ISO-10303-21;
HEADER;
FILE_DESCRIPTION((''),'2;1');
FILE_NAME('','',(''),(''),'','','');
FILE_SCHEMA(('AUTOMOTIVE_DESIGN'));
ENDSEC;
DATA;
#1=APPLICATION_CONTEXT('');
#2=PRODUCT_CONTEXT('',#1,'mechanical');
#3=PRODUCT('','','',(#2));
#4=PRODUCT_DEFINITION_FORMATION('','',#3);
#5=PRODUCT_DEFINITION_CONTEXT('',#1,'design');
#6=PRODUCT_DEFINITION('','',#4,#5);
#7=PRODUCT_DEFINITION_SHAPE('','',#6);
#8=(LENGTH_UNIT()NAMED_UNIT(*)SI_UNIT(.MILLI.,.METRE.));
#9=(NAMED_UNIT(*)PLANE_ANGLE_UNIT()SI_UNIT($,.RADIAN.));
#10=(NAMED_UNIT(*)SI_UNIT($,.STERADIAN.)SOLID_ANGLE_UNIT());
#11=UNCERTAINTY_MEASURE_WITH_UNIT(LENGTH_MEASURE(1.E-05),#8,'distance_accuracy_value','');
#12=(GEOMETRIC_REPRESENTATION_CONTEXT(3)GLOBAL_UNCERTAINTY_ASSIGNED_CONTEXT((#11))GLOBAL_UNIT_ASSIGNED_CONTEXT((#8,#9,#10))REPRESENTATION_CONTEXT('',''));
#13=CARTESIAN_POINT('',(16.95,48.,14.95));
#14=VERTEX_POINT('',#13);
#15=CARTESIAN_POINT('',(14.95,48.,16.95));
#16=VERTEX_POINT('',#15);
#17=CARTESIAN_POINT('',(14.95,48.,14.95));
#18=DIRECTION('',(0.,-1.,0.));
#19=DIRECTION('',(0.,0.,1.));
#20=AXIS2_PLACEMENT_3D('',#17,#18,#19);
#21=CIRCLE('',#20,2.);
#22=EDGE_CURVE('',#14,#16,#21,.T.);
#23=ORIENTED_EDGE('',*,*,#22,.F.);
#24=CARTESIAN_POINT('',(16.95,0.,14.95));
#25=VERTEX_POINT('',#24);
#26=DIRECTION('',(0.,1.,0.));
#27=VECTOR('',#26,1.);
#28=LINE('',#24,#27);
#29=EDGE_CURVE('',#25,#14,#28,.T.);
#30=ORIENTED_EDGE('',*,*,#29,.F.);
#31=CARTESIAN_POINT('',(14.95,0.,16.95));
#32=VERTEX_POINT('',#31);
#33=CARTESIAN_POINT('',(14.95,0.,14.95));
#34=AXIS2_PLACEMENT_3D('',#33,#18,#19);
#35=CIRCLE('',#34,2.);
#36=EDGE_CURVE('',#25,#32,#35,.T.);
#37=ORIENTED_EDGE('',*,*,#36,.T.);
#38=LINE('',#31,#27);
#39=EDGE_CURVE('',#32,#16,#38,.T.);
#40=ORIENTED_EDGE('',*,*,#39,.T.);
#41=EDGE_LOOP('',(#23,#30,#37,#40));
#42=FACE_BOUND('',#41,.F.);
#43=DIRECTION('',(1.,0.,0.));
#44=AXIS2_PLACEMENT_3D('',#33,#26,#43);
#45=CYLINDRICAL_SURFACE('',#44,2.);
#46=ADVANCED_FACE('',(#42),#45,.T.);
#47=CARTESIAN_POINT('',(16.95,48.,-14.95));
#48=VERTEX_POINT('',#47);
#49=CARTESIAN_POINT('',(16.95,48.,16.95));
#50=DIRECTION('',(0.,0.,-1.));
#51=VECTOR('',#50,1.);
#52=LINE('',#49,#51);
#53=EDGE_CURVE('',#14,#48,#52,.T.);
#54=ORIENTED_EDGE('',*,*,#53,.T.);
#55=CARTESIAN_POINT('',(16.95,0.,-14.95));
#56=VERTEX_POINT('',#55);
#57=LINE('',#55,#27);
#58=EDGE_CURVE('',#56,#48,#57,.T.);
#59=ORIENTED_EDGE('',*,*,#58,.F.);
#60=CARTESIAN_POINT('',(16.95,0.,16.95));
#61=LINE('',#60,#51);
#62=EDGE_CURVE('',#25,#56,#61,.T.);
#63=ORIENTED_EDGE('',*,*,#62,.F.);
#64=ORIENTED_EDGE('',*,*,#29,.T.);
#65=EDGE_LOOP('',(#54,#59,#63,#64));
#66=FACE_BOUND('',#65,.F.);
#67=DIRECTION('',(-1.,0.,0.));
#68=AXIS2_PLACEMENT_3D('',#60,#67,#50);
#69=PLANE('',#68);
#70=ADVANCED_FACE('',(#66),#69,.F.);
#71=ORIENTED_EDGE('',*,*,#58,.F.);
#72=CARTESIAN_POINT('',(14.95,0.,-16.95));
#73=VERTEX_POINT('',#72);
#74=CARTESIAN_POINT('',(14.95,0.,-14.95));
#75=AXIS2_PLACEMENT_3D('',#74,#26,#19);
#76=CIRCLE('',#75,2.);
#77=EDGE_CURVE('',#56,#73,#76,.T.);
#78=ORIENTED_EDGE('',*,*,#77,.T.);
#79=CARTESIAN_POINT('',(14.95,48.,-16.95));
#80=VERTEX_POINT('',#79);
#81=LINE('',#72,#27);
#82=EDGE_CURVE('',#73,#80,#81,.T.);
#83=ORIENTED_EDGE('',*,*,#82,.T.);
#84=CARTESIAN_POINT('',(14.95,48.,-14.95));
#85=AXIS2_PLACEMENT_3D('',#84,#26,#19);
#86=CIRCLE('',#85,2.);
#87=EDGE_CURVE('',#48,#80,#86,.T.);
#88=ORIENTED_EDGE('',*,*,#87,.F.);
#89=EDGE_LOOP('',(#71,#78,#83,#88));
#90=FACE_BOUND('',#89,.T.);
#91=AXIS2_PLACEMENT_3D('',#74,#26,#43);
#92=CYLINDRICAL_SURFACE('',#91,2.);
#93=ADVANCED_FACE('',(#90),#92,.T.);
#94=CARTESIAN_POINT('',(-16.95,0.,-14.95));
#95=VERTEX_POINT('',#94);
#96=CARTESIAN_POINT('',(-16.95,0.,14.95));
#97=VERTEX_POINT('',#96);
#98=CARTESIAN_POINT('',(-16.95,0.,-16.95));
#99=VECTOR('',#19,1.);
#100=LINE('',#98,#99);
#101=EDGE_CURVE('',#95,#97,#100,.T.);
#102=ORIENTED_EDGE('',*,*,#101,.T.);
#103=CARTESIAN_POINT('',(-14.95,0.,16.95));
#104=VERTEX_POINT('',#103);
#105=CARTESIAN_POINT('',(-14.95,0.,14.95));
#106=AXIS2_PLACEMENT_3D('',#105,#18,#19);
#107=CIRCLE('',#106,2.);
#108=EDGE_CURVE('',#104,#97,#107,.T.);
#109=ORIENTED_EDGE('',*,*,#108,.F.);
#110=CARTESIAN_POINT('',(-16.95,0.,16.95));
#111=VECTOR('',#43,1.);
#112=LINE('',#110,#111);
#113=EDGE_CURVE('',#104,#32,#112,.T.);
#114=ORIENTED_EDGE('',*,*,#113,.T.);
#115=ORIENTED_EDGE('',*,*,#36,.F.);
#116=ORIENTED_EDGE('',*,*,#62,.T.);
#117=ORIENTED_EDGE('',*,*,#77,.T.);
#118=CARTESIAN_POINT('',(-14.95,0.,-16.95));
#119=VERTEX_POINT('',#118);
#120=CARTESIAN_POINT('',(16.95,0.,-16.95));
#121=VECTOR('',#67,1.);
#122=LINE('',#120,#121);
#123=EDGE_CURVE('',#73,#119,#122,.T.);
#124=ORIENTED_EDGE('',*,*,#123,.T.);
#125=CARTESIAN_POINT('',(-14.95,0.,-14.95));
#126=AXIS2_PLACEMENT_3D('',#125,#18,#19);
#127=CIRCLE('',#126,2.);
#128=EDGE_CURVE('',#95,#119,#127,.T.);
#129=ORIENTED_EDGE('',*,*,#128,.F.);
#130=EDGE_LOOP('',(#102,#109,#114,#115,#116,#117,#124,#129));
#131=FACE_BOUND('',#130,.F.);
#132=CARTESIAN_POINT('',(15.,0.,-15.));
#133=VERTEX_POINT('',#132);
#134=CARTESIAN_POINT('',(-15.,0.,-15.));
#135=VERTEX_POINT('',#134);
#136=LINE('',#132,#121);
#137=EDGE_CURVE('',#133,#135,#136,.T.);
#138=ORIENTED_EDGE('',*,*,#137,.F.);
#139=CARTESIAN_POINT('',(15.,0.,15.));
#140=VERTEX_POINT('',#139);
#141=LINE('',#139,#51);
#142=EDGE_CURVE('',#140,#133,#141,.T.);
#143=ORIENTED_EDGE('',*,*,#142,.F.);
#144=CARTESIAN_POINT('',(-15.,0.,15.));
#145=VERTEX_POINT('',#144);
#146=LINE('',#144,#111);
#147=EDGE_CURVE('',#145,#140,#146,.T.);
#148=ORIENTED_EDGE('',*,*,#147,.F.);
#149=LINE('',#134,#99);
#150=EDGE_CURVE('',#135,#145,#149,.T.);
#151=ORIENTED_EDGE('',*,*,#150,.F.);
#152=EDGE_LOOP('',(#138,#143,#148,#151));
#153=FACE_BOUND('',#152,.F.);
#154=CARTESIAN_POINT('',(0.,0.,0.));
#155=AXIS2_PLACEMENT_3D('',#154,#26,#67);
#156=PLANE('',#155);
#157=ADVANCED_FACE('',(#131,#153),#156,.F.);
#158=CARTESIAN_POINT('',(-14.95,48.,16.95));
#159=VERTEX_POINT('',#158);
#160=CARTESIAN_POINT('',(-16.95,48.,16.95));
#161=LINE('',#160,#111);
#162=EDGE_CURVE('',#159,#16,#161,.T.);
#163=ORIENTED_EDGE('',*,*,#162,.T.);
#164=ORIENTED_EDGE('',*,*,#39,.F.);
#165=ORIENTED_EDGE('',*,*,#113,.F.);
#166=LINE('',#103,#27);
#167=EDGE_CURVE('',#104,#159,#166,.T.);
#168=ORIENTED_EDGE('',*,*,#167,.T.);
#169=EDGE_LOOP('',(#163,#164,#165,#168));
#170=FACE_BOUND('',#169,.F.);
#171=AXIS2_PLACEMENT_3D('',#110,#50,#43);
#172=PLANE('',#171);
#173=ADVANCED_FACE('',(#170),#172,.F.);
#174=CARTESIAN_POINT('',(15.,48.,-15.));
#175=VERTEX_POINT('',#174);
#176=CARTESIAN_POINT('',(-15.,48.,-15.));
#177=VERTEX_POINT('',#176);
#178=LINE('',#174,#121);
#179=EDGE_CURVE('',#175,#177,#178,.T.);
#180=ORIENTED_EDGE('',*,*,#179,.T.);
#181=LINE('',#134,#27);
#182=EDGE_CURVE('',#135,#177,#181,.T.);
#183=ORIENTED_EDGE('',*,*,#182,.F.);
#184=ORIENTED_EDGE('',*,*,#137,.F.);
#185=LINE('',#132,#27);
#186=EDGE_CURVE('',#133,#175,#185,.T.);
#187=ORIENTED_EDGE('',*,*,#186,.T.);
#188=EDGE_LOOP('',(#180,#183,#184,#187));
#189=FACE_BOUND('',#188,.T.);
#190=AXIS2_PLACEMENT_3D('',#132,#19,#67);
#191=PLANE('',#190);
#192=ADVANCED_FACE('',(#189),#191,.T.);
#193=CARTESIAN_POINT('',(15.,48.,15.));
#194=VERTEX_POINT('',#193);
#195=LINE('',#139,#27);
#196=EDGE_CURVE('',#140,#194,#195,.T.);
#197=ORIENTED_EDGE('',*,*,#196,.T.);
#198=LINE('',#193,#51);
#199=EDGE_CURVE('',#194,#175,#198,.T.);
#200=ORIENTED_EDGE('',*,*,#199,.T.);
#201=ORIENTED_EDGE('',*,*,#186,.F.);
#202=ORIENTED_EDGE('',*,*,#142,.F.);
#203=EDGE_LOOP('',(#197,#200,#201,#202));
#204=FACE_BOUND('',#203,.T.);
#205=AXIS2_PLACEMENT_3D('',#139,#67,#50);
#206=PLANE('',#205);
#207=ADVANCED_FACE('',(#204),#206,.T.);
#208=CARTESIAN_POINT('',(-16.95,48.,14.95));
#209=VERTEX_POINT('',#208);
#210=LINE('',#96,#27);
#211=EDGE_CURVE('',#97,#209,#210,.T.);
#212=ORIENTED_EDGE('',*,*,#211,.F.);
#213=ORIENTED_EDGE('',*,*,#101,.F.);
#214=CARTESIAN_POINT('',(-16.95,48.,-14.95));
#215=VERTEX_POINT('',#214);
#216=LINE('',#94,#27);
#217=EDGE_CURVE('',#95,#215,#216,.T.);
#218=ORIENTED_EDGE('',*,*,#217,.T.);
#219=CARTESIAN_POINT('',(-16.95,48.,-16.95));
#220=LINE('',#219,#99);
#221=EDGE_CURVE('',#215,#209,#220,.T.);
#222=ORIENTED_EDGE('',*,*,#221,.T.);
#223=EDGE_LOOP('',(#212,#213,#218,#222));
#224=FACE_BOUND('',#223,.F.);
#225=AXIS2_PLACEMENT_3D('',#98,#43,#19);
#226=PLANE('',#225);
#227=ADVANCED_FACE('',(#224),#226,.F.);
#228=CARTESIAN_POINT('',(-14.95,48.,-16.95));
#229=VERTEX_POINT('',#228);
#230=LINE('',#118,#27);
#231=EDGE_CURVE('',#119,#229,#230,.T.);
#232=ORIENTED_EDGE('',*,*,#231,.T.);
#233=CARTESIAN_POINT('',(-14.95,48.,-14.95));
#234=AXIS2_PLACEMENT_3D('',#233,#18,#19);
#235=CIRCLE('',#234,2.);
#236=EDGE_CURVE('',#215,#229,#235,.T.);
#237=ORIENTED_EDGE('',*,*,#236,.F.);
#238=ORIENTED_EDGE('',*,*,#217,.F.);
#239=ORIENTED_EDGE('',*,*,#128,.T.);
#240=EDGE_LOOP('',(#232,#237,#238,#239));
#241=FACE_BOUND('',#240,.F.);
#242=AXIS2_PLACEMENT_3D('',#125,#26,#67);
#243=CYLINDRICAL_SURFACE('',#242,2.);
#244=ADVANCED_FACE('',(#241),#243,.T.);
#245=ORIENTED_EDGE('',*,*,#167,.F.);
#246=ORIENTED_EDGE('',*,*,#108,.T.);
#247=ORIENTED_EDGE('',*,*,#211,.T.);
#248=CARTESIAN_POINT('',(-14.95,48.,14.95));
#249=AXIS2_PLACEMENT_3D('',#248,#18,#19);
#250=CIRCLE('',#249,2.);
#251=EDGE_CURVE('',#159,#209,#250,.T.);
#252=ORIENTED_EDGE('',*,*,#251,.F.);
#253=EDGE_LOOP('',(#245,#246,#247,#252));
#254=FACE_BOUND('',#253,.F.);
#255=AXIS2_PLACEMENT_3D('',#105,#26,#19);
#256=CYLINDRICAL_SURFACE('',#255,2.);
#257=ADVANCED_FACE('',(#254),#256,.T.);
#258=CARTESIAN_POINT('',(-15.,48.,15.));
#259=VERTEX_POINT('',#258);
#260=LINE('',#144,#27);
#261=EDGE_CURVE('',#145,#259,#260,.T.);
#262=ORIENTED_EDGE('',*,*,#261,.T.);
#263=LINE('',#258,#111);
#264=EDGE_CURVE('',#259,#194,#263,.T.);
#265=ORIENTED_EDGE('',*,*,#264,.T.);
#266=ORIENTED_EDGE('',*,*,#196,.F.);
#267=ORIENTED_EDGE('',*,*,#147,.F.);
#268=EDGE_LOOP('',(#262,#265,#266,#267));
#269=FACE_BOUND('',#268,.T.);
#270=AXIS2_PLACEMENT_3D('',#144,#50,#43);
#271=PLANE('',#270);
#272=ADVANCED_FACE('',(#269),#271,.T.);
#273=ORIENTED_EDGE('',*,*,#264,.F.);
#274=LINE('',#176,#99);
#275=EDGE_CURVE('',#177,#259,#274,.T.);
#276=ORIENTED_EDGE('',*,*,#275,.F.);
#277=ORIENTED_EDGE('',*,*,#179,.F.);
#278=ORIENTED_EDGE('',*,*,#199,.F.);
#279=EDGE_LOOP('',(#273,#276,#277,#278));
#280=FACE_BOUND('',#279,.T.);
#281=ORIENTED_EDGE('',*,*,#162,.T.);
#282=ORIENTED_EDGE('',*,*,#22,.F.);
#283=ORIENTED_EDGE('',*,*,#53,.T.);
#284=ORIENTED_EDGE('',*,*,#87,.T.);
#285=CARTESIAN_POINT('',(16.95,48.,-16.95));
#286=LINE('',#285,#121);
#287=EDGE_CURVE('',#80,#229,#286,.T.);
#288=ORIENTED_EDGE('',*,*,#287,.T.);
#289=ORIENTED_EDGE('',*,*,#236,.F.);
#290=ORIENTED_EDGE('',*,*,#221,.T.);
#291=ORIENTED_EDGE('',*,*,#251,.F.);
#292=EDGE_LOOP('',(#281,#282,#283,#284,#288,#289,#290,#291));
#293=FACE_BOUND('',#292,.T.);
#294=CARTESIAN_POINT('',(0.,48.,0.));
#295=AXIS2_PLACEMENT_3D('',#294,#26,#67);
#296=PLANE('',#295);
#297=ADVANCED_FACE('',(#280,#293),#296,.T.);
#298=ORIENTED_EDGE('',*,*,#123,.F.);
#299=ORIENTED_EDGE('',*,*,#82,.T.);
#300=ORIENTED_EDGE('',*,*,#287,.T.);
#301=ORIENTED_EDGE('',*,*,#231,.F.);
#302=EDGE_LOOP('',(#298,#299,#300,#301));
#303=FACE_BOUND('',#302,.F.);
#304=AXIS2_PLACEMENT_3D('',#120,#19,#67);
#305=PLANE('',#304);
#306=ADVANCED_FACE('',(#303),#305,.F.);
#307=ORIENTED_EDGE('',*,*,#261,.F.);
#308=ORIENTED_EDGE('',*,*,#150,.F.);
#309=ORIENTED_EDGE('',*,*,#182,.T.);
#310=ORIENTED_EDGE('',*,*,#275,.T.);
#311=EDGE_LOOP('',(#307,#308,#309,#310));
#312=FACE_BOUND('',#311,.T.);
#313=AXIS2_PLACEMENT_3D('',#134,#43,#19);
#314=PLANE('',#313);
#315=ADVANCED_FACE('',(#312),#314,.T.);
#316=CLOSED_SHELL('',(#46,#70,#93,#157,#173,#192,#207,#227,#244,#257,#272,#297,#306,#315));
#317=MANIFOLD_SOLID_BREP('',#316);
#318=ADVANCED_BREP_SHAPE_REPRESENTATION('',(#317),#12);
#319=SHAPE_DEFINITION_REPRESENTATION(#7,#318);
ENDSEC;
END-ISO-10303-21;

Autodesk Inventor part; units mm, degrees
ref_plane "YZ Plane" through (0, 0, 0) normal (1, 0, 0) x (0, 1, 0)
ref_plane "XZ Plane" through (0, 0, 0) normal (0, 1, 0) x (-1, 0, 0)
ref_plane "XY Plane" through (0, 0, 0) normal (0, 0, 1) x (1, 0, 0)
sketch "Sketch1" plane through (0, 0, 0) normal (0, 1, 0) x (-1, 0, 0)
  line L0 (-16.95, -16.95) -> (16.95, -16.95)
  line L1 (16.95, -16.95) -> (16.95, 16.95)
  line L2 (16.95, 16.95) -> (-16.95, 16.95)
  line L3 (-16.95, 16.95) -> (-16.95, -16.95)
  line L4 (-16.95, -16.95) -> (16.95, 16.95) construction
  line L5 (16.95, -16.95) -> (-16.95, 16.95) construction
  line L6 (-15, -15) -> (15, -15)
  line L7 (15, -15) -> (15, 15)
  line L8 (15, 15) -> (-15, 15)
  line L9 (-15, 15) -> (-15, -15)
  line L10 (-15, -15) -> (15, 15) construction
  line L11 (15, -15) -> (-15, 15) construction
  point P0 (0, 0)
  dimension "d0" = 33.9
  dimension "d1" = 33.9
  dimension "d2" = 30
  dimension "d3" = 30
extrude "Extrusion1" add sketch "Sketch1" along normal blind 48
fillet "Fillet1" radius 2 4 edges at (16.95, 24, 16.95) (16.95, 24, -16.95) (-16.95, 24, -16.95) (-16.95, 24, 16.95)
properties part number "00_Laser_match_housing"
